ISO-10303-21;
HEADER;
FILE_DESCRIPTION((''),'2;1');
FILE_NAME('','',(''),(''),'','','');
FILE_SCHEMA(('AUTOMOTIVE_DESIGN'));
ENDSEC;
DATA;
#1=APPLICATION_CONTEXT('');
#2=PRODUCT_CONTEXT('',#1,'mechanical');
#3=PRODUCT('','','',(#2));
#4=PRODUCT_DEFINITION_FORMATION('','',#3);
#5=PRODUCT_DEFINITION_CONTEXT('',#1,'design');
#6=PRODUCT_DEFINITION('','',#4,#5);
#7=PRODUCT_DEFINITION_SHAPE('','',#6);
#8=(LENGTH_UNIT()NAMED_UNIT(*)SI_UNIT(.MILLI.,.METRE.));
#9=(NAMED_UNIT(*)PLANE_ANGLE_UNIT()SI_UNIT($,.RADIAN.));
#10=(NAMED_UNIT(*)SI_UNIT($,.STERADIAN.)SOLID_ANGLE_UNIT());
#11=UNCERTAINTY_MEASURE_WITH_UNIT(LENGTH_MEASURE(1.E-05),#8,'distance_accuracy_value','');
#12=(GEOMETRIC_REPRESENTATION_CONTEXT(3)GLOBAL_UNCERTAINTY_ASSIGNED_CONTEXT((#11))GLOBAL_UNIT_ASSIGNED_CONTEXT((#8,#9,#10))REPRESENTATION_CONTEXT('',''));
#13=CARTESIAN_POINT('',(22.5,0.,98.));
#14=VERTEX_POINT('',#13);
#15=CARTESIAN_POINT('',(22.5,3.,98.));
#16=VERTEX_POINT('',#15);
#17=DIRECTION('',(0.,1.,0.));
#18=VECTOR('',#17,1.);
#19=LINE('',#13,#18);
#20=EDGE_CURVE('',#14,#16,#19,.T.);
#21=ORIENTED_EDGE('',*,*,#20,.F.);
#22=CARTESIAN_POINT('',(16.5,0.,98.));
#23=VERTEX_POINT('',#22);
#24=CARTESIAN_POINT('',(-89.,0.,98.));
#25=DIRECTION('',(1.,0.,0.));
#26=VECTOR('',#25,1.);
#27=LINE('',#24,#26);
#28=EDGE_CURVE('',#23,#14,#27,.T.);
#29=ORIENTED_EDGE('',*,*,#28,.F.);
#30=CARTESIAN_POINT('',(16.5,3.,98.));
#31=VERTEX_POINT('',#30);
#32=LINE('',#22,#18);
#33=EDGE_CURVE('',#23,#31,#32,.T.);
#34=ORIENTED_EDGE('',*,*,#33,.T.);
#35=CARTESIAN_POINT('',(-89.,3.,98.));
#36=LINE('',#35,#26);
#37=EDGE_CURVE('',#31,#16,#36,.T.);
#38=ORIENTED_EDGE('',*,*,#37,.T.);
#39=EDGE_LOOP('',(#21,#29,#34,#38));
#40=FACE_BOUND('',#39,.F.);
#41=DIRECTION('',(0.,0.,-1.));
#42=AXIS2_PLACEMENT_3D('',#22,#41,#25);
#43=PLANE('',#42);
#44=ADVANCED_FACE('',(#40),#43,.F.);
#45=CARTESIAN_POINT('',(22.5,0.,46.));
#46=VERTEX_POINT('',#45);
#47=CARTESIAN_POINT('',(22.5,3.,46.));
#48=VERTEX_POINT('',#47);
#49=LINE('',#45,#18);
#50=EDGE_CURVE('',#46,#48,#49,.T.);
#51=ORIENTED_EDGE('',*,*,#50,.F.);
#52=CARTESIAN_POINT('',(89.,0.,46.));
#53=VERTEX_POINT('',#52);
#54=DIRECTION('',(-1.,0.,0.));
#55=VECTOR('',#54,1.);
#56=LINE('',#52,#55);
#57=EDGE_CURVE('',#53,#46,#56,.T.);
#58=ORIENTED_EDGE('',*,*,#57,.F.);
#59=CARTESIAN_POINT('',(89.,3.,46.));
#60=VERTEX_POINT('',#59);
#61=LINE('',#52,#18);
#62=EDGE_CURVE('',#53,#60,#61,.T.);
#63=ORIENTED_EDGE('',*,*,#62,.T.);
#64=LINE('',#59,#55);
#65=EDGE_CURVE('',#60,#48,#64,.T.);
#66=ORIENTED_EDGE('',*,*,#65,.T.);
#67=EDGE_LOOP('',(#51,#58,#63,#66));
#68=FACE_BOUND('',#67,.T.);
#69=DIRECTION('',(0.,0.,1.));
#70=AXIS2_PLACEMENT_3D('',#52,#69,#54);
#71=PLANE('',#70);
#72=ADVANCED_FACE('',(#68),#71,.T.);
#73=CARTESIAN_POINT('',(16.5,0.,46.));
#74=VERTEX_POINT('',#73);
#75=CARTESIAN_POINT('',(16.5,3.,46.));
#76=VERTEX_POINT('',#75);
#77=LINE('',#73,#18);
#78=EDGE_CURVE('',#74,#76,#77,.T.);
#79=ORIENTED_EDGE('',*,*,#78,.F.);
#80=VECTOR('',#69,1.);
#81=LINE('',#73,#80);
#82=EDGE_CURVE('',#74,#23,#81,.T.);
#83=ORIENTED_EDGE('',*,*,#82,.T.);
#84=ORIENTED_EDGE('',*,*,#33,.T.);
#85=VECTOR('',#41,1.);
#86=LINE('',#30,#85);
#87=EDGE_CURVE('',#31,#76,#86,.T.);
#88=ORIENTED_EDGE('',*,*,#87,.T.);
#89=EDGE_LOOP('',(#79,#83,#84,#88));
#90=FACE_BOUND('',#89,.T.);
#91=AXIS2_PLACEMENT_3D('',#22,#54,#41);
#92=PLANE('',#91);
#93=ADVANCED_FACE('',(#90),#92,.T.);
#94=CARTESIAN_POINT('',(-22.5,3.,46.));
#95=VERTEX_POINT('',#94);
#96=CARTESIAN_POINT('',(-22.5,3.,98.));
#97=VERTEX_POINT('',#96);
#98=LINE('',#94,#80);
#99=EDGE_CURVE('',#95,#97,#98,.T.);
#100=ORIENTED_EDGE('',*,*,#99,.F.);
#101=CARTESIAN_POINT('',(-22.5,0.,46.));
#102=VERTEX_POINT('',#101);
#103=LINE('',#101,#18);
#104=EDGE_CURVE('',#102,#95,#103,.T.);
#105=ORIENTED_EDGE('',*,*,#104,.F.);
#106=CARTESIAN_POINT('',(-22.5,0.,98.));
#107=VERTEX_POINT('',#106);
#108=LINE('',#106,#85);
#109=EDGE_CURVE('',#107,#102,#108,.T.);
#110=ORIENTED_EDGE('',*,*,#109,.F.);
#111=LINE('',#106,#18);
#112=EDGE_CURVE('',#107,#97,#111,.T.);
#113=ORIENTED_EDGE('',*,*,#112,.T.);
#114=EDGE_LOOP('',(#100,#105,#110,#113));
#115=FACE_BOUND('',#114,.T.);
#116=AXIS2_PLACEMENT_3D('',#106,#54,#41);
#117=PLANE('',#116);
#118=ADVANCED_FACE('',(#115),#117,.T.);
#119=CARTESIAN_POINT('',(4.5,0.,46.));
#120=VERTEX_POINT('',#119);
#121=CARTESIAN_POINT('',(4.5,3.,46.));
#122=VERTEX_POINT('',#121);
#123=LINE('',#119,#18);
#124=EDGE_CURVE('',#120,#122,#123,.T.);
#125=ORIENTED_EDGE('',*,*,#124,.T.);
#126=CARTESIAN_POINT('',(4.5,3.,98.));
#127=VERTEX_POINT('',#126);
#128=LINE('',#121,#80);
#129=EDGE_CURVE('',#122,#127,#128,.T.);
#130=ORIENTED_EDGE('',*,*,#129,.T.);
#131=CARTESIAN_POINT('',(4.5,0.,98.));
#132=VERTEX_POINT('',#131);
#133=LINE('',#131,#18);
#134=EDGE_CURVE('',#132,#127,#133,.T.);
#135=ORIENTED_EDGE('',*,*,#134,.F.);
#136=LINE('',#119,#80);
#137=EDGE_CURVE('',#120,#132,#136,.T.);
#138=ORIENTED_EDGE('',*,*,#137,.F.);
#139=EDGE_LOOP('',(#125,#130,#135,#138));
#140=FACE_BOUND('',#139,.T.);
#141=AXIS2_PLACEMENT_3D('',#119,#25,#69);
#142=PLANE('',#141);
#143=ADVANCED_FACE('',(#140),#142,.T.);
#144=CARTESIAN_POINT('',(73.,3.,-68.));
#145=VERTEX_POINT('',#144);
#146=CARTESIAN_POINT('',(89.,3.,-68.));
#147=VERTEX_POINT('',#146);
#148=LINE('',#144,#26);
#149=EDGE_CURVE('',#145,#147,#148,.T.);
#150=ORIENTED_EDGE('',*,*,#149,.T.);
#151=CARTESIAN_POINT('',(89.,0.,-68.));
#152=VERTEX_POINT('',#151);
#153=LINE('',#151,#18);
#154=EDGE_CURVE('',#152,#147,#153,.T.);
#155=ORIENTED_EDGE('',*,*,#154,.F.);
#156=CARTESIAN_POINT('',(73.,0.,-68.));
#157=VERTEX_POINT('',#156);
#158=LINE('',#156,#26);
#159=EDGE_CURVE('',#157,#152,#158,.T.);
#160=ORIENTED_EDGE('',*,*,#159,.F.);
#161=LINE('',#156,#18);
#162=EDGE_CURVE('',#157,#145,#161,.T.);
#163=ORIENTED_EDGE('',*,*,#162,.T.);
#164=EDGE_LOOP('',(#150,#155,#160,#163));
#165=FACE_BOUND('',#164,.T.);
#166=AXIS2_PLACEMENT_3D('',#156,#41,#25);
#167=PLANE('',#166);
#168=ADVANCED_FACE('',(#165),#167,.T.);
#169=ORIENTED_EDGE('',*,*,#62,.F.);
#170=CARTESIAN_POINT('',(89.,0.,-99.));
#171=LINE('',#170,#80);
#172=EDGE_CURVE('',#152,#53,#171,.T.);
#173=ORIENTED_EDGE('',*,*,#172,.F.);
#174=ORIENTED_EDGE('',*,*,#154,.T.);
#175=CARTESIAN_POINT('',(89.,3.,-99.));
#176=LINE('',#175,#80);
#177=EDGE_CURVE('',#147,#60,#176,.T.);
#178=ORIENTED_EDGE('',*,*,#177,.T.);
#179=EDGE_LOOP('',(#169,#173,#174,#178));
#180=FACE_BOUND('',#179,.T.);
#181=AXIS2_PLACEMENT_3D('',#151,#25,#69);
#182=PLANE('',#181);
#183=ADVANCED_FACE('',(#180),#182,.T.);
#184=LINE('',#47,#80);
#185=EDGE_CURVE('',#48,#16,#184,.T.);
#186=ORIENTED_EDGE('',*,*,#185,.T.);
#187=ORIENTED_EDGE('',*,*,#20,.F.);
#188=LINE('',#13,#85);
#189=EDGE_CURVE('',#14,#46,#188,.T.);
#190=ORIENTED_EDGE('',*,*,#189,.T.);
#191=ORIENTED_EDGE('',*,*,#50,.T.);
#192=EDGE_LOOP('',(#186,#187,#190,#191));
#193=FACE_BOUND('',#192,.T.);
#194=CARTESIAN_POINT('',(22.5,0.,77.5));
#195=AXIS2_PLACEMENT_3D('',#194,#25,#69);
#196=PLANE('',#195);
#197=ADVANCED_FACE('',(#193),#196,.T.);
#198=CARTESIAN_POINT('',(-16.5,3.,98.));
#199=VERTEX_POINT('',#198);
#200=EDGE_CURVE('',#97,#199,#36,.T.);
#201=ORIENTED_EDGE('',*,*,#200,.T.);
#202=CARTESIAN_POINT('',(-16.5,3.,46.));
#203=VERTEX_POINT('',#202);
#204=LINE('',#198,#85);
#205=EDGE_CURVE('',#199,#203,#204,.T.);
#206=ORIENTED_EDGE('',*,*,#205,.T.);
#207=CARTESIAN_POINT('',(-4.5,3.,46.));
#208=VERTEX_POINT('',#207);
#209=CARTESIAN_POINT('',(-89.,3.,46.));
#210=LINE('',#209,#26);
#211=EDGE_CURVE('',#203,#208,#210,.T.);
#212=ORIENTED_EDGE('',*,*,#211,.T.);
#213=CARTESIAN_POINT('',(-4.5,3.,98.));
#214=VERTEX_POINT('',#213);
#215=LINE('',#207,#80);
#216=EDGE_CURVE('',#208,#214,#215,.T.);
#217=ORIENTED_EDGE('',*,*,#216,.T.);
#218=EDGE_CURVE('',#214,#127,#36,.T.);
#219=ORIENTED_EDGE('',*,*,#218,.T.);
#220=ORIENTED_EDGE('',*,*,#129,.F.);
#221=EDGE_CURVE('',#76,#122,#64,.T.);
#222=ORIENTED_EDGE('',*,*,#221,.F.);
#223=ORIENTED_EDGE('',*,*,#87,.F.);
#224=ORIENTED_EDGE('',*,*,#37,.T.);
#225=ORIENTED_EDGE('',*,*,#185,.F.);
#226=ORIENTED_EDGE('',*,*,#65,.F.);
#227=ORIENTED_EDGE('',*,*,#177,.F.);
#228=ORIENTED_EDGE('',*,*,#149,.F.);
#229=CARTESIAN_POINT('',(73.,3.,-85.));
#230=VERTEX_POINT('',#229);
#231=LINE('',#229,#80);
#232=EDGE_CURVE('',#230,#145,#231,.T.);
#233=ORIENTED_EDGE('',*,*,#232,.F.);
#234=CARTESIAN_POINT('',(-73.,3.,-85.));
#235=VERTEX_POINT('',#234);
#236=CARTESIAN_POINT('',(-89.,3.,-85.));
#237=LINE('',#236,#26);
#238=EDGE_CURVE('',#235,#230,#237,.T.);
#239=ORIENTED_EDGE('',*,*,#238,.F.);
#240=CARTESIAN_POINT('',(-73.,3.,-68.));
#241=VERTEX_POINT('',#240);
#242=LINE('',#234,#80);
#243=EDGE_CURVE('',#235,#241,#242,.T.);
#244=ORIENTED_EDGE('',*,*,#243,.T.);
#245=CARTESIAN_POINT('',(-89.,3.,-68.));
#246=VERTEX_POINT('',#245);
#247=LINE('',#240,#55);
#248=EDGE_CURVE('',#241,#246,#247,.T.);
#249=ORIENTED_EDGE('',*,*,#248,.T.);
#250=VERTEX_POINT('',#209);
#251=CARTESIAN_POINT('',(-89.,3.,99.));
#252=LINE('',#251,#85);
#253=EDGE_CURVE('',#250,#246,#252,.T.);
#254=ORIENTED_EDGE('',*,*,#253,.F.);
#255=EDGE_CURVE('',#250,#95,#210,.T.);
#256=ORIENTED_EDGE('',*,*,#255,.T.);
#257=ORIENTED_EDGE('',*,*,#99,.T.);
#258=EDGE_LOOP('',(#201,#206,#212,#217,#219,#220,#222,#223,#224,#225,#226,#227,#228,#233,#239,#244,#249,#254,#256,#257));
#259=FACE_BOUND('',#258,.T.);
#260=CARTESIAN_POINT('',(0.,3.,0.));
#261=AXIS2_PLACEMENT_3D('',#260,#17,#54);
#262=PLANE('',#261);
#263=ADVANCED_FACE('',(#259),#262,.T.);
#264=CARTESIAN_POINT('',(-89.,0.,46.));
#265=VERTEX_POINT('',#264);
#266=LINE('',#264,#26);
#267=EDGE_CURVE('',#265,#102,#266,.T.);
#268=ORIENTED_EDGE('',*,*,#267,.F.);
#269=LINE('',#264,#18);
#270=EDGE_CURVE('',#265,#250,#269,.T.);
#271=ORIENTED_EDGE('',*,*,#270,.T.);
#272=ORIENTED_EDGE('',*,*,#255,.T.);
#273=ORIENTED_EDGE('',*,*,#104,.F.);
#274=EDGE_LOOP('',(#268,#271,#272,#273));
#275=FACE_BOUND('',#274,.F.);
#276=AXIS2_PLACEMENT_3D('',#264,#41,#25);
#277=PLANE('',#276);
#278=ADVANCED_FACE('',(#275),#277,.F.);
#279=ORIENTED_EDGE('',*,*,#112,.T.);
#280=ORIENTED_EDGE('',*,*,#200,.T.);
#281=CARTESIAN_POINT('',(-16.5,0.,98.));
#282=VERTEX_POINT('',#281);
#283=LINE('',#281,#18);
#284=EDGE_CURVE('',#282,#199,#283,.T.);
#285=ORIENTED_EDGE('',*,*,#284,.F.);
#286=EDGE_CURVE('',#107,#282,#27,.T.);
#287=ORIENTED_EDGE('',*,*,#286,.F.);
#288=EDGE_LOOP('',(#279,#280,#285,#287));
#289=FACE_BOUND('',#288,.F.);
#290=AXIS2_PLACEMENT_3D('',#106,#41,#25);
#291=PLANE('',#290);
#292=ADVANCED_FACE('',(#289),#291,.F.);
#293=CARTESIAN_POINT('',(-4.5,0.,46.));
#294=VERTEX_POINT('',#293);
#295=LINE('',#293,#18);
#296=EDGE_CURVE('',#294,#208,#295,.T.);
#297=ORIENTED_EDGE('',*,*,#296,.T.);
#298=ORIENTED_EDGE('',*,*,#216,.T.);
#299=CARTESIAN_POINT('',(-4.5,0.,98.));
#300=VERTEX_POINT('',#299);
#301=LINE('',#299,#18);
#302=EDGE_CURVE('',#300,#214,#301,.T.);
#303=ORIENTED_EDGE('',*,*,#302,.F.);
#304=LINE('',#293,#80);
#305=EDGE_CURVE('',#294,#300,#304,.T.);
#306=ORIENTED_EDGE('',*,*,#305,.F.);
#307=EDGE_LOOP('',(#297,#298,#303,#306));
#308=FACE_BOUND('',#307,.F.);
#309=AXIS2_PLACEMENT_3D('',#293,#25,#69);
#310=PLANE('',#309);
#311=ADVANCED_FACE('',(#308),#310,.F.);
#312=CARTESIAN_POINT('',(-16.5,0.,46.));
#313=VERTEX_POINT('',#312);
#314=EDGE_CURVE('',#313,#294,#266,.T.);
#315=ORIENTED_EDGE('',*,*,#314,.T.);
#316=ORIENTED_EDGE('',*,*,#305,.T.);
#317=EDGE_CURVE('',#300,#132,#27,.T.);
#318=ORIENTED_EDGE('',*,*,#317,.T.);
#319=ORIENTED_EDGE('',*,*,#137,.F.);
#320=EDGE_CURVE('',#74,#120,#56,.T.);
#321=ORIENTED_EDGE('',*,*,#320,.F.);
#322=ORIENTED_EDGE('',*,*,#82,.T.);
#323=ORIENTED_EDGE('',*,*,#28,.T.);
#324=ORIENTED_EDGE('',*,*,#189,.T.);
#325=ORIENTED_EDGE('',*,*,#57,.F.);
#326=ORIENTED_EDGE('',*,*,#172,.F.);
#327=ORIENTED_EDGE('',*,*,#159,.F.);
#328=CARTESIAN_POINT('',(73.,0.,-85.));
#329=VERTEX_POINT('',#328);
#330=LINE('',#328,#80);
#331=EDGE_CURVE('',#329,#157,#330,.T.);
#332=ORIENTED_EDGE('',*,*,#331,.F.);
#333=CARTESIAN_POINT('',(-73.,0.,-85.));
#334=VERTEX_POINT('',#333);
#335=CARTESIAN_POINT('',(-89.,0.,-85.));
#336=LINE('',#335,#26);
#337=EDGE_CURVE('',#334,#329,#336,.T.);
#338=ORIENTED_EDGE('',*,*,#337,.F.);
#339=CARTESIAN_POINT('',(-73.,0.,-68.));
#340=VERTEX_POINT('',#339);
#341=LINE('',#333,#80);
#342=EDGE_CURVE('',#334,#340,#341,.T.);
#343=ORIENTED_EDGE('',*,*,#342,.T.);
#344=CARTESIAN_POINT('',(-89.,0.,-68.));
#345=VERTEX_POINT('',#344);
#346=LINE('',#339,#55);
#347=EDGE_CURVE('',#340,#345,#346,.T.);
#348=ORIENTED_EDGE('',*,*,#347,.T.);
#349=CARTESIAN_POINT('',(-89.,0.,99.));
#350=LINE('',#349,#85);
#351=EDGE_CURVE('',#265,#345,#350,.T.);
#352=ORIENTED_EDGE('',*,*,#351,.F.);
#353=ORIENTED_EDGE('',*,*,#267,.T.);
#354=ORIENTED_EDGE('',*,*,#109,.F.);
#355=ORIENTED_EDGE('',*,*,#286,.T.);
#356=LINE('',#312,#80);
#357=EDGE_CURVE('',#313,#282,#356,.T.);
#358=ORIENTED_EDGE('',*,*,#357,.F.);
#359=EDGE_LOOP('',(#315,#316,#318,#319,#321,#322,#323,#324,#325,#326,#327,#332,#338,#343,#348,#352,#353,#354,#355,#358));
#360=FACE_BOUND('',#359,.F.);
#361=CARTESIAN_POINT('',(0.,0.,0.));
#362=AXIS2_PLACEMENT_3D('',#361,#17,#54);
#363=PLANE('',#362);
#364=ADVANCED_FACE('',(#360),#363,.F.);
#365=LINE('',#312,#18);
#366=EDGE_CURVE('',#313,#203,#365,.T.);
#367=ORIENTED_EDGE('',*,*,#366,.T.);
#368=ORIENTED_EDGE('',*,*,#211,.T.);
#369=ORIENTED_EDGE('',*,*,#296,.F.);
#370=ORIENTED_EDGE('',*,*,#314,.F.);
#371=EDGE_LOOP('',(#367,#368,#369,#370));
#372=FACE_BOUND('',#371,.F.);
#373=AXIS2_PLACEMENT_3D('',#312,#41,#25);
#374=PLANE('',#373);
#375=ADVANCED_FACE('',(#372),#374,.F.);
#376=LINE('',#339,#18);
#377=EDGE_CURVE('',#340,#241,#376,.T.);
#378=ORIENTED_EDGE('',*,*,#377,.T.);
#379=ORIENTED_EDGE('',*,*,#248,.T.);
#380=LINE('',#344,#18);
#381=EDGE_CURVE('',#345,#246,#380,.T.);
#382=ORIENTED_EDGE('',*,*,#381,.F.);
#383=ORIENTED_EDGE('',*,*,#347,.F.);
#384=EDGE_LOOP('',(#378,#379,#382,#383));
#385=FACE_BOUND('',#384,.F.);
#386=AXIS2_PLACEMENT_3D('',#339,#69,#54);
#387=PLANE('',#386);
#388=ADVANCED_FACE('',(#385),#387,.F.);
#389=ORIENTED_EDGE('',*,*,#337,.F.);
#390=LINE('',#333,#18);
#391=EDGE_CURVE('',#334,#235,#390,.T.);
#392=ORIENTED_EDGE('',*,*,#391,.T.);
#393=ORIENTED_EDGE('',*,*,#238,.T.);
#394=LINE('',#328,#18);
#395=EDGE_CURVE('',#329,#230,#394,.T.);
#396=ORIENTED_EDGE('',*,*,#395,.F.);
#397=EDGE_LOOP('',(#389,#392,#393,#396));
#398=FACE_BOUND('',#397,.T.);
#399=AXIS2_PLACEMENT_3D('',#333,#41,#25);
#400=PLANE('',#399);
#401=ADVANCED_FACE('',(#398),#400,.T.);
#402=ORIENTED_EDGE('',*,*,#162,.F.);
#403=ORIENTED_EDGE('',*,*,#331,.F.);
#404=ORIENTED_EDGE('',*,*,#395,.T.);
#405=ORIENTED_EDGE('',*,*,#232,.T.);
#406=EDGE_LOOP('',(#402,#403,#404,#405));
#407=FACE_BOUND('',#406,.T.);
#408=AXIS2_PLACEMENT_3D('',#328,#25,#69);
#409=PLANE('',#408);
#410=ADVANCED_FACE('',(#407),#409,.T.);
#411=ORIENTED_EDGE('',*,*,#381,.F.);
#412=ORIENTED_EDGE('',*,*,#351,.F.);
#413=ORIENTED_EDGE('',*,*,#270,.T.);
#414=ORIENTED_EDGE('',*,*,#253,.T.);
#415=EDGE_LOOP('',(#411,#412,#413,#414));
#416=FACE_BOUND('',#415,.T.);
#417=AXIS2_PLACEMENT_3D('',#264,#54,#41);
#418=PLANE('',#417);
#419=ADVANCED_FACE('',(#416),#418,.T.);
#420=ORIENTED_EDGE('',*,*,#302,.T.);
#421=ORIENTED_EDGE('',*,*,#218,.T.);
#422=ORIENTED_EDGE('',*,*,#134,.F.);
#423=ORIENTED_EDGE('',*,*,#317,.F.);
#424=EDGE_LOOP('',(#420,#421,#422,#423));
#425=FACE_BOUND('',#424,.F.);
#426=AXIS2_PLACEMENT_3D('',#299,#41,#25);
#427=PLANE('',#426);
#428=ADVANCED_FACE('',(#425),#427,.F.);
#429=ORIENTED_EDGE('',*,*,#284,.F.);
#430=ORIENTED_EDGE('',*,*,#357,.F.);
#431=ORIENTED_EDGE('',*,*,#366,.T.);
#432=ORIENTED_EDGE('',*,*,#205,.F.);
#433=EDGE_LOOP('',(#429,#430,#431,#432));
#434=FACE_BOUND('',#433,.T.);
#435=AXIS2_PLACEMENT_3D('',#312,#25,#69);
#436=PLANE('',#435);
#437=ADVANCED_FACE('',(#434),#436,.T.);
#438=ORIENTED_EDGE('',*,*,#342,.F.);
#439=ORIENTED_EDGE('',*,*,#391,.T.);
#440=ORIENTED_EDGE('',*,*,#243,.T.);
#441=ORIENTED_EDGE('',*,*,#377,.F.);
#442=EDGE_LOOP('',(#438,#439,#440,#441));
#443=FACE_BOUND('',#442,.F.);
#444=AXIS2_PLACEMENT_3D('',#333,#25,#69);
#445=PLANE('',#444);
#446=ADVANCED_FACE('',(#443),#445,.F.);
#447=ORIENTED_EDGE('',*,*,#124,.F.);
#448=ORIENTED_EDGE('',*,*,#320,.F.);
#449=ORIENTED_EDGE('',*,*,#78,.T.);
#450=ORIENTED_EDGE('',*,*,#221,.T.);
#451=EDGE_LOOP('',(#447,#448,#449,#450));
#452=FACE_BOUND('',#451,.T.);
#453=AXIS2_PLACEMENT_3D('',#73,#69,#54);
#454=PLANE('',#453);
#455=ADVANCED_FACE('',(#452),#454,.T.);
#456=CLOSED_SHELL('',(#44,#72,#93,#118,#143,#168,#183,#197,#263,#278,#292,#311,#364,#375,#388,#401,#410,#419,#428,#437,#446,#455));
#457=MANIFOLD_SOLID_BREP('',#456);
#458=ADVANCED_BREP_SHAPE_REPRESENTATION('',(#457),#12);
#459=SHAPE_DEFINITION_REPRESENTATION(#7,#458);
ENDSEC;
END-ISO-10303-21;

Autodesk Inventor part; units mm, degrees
ref_plane "YZ Plane" through (0, 0, 0) normal (1, 0, 0) x (0, 1, 0)
ref_plane "XZ Plane" through (0, 0, 0) normal (0, 1, 0) x (-1, 0, 0)
ref_plane "XY Plane" through (0, 0, 0) normal (0, 0, 1) x (1, 0, 0)
sketch "Sketch2" plane through (0, 0, 0) normal (0, 1, 0) x (-1, 0, 0)
  line L0 (-89, 99) -> (89, 99)
  line L1 (89, 99) -> (89, -99)
  line L2 (89, -99) -> (-89, -99)
  line L3 (-89, -99) -> (-89, 99)
  line L4 (-89, 99) -> (89, -99) construction
  line L5 (89, 99) -> (-89, -99) construction
  line L6 (-89, 99) -> (89, 99)
  line L7 (89, 99) -> (89, -85)
  line L8 (89, -85) -> (-89, -85)
  line L9 (-89, -85) -> (-89, 99)
  line L10 (-4.5, 99) -> (-89, 99)
  line L11 (-89, 99) -> (-89, 46)
  line L12 (-89, 46) -> (-4.5, 46)
  line L13 (-4.5, 46) -> (-4.5, 99)
  line L14 (4.5, 99) -> (89, 99)
  line L15 (89, 99) -> (89, 46)
  line L16 (89, 46) -> (4.5, 46)
  line L17 (4.5, 46) -> (4.5, 99)
  line L18 (22.5, 77.5) -> (22.5, 66.5) projected
  line L19 (16.5, 66.5) -> (16.5, 77.5) projected
  line L20 (-22.5, 66.5) -> (-22.5, 77.5) projected
  line L21 (-16.5, 77.5) -> (-16.5, 66.5) projected
  line L22 (-22.5, 99) -> (-16.5, 99)
  line L23 (-16.5, 99) -> (-16.5, 46)
  line L24 (-16.5, 46) -> (-22.5, 46)
  line L25 (-22.5, 46) -> (-22.5, 99)
  line L26 (16.5, 99) -> (22.5, 99)
  line L27 (22.5, 99) -> (22.5, 46)
  line L28 (22.5, 46) -> (16.5, 46)
  line L29 (16.5, 46) -> (16.5, 99)
  line L30 (-89, 99) -> (89, 99)
  line L31 (89, 99) -> (89, 98)
  line L32 (89, 98) -> (-89, 98)
  line L33 (-89, 98) -> (-89, 99)
  line L34 (89, -85) -> (73, -85)
  line L35 (73, -85) -> (73, -68)
  line L36 (73, -68) -> (89, -68)
  line L37 (89, -68) -> (89, -85)
  line L38 (-89, -85) -> (-73, -85)
  line L39 (-73, -85) -> (-73, -68)
  line L40 (-73, -68) -> (-89, -68)
  line L41 (-89, -68) -> (-89, -85)
  point P0 (0, 0)
  point P1 (4.5, 99)
  point P2 (-4.5, 99)
  point P3 (-89, 46)
  point P4 (89, 46)
  point P5 (4.5, 98)
  point P6 (-4.5, 98)
  point P7 (-16.5, 98)
  point P8 (-22.5, 98)
  point P9 (22.5, 98)
  point P10 (16.5, 98)
  point P11 (73, -85)
  dimension "d8" = 178
  dimension "d9" = 198
  dimension "d10" = 14
  dimension "d11" = 84.5
  dimension "d12" = 53
  dimension "d13" = 84.5
  dimension "d14" = 53
  dimension "d17" = 9
  dimension "d18" = 1
  dimension "d19" = 16
  dimension "d20" = 17
  dimension "d21" = 16
  dimension "d22" = 17
extrude "Extrusion2" add sketch "Sketch2" along normal blind 3 contours L32 L23 L21 L12 L25 L20 | L12 L13 L32 L17 L16 L1 L36 L35 L8 L39 L40 L3 | L32 L27 L18 L16 L29 L19
equation "\"d11\" = d13"
properties part number "base" material "Aluminum 6061-AHC"
